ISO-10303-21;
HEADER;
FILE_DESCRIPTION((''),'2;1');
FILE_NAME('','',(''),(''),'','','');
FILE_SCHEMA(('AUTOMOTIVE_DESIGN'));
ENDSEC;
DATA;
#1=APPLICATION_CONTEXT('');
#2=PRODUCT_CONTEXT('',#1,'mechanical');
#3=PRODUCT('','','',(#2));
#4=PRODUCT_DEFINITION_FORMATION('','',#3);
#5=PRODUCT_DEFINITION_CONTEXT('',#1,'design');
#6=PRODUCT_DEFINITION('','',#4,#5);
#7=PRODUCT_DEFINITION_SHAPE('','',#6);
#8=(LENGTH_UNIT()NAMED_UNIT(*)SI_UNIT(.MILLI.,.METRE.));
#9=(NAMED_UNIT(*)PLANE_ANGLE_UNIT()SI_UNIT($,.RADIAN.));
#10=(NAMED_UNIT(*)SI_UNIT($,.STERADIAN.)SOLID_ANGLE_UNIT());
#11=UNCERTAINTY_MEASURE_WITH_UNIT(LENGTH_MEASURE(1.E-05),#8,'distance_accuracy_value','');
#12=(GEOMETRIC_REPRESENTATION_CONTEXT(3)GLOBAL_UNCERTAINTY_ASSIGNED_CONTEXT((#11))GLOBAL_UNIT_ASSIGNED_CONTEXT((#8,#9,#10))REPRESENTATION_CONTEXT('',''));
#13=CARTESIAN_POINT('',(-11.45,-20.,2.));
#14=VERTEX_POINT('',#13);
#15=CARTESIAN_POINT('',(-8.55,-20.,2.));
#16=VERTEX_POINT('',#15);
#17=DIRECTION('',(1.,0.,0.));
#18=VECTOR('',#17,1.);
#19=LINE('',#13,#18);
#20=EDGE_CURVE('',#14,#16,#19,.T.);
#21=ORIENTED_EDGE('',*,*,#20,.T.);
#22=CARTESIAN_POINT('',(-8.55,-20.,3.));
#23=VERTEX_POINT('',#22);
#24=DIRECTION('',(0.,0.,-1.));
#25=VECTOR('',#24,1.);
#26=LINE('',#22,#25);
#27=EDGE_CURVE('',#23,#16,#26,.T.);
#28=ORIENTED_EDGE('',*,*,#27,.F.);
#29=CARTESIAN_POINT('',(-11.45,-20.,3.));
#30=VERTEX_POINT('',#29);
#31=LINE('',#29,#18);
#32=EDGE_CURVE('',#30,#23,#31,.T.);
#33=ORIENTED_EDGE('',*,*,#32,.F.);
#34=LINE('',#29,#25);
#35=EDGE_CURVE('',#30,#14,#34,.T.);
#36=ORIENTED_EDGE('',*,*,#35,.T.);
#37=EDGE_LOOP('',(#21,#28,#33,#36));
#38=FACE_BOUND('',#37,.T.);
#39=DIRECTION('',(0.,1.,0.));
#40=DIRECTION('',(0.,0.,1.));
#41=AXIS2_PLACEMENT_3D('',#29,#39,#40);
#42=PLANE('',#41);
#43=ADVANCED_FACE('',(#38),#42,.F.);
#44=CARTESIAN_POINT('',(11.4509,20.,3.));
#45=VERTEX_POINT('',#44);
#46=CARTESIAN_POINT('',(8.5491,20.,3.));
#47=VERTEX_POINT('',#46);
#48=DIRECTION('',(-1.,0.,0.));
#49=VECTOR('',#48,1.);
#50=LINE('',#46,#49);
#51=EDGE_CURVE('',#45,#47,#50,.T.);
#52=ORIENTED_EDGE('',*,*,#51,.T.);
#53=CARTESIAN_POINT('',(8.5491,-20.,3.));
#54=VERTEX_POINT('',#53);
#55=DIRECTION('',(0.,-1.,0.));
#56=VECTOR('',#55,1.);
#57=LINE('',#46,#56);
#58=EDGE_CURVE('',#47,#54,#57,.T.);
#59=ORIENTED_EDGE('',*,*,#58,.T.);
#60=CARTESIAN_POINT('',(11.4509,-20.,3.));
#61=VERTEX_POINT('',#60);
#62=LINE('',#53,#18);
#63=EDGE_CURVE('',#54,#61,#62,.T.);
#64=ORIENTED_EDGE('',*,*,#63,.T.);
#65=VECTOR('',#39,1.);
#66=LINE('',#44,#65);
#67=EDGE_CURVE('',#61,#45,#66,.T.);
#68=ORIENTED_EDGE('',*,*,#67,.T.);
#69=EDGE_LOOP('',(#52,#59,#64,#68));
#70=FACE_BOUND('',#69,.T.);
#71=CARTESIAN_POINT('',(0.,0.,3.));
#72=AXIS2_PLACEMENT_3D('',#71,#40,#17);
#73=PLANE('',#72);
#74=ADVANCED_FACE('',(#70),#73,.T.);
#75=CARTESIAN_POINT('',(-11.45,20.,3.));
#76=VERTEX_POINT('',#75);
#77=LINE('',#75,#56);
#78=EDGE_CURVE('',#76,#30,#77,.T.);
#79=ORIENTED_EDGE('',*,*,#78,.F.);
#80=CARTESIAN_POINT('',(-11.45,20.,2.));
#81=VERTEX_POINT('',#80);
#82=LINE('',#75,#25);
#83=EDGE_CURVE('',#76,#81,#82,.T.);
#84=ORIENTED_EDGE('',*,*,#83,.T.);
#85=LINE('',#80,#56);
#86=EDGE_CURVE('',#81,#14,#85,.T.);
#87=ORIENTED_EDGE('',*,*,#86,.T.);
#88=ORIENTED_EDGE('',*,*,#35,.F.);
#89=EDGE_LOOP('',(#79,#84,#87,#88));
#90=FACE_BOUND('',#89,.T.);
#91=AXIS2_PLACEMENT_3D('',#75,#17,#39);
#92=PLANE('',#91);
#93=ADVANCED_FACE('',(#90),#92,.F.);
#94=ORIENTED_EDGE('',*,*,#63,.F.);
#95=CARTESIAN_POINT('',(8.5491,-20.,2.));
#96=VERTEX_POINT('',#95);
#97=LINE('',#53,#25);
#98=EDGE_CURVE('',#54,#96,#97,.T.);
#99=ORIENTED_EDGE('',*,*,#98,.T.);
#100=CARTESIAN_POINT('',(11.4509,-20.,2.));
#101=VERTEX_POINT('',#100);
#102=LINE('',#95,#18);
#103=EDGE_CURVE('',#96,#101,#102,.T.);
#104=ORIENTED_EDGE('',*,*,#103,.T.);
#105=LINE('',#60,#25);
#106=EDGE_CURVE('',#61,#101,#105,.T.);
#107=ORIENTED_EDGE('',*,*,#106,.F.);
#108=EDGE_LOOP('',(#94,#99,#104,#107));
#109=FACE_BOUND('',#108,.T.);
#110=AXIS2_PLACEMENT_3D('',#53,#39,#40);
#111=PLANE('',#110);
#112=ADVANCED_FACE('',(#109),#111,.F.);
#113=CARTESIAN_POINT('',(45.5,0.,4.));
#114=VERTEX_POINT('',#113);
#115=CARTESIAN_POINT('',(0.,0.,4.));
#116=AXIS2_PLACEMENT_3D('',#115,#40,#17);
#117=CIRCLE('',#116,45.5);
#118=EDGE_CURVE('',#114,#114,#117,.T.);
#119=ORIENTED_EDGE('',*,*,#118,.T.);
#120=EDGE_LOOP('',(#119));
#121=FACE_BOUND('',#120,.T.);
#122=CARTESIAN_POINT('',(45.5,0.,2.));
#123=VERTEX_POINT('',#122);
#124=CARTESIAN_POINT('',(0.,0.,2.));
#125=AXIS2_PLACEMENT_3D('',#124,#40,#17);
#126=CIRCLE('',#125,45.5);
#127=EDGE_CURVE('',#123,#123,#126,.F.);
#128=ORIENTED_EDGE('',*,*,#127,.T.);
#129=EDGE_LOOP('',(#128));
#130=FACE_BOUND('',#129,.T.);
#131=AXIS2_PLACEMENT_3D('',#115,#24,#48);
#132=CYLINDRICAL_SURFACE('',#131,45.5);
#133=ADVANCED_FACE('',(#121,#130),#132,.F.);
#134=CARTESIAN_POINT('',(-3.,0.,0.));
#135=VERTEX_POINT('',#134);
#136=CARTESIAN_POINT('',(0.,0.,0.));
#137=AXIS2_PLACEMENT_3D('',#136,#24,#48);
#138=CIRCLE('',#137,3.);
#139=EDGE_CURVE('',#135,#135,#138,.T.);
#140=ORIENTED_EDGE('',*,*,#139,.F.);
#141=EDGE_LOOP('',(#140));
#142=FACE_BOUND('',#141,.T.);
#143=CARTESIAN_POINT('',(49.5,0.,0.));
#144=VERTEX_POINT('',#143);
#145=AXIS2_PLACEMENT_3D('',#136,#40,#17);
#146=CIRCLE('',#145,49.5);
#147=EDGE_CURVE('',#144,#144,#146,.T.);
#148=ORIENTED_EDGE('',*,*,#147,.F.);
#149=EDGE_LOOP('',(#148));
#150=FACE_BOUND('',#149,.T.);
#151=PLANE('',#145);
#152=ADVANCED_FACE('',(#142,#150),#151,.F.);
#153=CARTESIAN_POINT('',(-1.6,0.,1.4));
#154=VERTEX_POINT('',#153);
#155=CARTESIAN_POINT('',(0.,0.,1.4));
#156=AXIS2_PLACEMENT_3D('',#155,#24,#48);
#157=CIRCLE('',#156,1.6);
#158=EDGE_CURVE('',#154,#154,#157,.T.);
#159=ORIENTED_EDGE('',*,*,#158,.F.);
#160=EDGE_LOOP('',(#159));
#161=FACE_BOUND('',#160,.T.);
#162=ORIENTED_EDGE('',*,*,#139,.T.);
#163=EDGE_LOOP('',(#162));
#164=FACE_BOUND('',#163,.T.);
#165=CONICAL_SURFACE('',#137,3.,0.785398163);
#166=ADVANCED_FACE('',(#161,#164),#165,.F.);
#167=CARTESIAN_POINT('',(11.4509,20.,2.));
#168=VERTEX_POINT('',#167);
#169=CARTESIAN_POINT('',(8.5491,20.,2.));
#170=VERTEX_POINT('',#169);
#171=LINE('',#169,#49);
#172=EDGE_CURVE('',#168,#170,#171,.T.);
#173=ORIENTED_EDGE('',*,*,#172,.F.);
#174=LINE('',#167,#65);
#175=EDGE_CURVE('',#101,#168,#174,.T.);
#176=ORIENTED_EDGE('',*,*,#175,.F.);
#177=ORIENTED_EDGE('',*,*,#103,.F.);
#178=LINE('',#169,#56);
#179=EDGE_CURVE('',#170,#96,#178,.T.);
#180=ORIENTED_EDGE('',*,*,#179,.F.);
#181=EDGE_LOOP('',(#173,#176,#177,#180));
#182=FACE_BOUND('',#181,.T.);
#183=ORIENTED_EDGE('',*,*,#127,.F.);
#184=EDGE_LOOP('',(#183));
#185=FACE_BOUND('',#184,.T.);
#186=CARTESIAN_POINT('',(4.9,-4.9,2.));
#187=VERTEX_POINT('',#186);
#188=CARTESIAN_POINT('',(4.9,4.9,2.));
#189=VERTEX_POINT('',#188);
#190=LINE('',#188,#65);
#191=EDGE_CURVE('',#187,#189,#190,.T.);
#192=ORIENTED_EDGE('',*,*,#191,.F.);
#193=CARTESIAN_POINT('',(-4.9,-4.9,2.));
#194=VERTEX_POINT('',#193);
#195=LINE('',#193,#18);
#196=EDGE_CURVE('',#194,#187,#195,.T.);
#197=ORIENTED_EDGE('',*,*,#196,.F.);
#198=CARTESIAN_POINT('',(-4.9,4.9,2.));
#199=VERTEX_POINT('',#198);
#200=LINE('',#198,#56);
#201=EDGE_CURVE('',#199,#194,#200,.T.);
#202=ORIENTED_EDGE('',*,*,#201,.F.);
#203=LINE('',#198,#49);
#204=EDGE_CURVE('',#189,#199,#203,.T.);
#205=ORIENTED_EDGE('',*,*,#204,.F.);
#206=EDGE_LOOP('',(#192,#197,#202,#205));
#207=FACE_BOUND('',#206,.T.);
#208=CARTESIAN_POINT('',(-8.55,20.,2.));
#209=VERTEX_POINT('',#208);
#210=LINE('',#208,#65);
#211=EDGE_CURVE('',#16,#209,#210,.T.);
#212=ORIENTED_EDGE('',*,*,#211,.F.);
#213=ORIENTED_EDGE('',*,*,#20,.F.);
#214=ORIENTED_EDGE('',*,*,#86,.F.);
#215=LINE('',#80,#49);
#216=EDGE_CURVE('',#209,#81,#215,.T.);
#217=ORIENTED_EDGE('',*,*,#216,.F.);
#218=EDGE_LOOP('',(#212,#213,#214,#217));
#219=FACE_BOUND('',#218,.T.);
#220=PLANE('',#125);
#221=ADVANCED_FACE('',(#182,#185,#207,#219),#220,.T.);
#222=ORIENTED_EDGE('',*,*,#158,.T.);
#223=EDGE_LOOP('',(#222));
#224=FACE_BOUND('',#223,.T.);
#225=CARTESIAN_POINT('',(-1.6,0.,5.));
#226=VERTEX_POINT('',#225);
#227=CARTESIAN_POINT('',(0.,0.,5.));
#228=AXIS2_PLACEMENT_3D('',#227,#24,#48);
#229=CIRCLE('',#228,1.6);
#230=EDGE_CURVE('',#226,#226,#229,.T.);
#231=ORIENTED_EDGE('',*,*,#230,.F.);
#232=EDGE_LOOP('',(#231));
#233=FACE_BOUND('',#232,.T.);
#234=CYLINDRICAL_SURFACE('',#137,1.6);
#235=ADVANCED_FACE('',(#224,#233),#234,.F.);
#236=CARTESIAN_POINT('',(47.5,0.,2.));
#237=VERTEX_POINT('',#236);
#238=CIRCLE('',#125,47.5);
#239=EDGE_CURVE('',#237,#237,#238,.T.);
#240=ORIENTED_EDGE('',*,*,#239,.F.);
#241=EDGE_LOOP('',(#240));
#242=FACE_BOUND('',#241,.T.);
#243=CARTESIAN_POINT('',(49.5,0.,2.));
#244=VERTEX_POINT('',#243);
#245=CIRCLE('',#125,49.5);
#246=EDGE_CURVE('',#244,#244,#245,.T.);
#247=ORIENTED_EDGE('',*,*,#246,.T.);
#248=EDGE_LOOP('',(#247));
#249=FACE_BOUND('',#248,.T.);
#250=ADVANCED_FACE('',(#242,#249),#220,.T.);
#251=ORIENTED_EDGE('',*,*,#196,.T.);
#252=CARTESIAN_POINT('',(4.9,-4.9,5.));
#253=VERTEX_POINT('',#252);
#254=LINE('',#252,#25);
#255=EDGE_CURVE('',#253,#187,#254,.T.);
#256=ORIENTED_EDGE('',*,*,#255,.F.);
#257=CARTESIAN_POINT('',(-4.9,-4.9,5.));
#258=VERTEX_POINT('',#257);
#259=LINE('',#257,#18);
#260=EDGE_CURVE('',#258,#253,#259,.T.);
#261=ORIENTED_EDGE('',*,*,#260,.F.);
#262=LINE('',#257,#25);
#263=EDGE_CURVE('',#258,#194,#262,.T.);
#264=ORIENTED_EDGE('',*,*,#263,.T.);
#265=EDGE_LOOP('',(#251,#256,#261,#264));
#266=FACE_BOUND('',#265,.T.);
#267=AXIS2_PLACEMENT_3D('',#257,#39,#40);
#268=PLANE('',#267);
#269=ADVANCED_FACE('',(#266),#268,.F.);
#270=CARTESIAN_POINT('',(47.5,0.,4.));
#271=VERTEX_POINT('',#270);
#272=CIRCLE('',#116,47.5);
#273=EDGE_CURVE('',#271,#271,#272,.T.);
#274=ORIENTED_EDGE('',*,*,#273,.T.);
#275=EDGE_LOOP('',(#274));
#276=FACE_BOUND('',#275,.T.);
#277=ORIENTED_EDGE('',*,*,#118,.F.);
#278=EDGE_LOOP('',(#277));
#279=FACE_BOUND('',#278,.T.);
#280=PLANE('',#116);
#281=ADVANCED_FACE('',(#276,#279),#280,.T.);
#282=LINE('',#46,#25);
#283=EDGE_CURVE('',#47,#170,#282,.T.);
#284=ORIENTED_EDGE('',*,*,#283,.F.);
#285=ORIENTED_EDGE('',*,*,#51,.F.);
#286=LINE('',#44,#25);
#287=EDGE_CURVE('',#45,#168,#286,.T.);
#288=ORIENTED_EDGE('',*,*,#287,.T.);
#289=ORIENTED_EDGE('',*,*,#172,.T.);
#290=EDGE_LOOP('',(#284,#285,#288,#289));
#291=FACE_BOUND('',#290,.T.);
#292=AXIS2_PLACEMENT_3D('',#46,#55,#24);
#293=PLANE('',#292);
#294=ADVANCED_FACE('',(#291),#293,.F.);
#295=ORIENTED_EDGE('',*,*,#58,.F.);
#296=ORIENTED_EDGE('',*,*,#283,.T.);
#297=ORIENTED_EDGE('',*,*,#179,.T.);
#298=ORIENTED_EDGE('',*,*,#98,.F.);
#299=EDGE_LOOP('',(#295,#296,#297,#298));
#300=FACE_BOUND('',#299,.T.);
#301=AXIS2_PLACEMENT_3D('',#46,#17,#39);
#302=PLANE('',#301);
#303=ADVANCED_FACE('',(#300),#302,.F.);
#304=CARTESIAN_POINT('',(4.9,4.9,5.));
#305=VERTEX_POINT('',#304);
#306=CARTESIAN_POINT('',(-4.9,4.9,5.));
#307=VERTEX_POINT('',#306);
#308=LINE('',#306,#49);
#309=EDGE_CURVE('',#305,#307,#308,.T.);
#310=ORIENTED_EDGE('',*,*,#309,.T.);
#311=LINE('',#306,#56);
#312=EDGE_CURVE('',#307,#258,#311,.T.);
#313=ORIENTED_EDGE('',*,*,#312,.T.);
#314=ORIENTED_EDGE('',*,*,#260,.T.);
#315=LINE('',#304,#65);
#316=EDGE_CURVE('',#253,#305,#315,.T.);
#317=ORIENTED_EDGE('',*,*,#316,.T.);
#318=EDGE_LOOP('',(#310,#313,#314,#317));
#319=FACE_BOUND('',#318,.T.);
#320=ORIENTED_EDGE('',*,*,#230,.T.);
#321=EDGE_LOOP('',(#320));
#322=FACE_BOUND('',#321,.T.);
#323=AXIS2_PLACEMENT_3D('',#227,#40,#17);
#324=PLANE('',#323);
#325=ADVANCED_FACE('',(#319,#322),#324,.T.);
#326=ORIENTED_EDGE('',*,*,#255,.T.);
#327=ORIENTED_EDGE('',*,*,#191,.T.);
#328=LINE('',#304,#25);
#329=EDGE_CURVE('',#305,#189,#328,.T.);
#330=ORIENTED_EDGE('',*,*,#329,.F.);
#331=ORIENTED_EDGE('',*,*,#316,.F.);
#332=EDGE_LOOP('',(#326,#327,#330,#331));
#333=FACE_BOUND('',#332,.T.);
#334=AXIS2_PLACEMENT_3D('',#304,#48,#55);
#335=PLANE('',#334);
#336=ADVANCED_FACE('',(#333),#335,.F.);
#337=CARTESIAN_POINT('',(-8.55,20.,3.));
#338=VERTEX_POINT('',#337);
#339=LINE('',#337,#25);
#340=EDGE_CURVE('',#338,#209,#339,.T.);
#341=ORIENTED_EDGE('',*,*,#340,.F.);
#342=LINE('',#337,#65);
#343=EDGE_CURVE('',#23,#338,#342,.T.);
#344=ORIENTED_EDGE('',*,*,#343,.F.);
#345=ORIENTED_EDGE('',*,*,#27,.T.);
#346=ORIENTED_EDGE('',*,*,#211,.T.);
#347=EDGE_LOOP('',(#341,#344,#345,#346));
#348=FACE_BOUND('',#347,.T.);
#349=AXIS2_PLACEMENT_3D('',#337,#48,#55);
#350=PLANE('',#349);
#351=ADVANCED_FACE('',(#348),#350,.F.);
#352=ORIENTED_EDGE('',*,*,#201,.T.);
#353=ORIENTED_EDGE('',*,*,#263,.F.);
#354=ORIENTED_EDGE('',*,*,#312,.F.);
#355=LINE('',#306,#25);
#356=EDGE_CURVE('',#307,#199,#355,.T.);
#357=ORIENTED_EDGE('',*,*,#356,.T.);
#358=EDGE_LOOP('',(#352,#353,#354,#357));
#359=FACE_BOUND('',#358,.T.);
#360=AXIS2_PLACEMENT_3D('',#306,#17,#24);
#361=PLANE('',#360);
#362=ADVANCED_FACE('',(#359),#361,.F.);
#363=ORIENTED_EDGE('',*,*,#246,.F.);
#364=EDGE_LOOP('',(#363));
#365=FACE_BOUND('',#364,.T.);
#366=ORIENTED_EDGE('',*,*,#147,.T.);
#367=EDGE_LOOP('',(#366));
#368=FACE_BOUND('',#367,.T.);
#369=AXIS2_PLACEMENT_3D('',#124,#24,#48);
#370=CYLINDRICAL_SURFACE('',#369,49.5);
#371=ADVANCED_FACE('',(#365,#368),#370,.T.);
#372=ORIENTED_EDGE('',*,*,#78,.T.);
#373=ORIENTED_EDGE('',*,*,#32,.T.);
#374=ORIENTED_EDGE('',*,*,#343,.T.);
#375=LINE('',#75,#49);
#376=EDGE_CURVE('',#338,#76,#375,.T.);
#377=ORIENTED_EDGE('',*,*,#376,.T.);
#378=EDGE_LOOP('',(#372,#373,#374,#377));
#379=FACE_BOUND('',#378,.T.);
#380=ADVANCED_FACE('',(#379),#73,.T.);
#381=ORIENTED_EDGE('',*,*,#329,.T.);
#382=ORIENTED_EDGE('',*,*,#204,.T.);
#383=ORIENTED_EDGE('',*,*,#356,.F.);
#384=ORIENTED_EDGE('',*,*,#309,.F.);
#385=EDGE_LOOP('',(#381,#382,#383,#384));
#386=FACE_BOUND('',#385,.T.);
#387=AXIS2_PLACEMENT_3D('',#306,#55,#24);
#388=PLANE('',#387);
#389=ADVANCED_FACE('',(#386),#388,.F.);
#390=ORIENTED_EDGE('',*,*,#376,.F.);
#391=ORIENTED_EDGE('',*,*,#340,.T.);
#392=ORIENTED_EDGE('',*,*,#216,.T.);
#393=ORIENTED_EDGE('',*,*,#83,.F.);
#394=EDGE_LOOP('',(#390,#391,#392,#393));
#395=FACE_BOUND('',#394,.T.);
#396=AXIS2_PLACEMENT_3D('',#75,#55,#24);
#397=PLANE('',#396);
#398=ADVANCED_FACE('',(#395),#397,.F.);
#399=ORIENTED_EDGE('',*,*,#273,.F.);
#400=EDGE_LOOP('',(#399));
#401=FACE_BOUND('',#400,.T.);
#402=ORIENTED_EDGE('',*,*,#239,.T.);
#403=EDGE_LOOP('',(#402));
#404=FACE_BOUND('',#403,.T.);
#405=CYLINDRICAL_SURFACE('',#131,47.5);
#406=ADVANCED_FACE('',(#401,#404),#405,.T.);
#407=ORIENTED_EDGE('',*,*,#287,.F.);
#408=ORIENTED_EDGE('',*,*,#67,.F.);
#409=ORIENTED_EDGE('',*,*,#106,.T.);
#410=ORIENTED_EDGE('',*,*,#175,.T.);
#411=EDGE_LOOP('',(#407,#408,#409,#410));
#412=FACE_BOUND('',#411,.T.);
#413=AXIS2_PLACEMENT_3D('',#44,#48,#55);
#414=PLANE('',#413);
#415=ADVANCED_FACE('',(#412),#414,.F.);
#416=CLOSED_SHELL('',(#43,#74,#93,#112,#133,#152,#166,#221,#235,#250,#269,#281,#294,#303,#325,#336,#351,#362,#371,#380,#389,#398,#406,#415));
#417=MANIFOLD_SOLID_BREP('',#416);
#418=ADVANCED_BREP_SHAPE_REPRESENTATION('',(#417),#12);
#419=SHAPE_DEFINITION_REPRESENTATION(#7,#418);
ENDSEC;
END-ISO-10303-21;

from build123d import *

# Parameters (mm, degrees)
SKETCH1_R                                         = 49.5
MAIN_DEPTH                                        = 2
SKETCH2_W                                         = 2.9
SKETCH2_H                                         = 40
SKETCH2_W_2                                       = 2.90180049
MAKERBEAMFIX_DEPTH                                = 1
SKETCH3_W                                         = 9.8
SKETCH3_H                                         = 9.8
CENTRALFIX_DEPTH                                  = 3
CSK_FOR_M2_5_FLAT_HEAD_MACHINE_SCREW1_D           = 3.2
CSK_FOR_M2_5_FLAT_HEAD_MACHINE_SCREW1_CSINK_D     = 6
CSK_FOR_M2_5_FLAT_HEAD_MACHINE_SCREW1_CSINK_ANGLE = 90
SKETCH6_R                                         = 47.5
SKETCH6_R_2                                       = 45.5
CIRCLESUPPORT_DEPTH                               = 2


with BuildPart() as part:
    # Sketch1 → Main (new body)
    with BuildSketch(Plane.XY):
        Circle(SKETCH1_R)
    extrude(amount=MAIN_DEPTH)

    # Sketch2 → MakerBeamFix (add)
    with BuildSketch(Plane.XY.offset(2)):
        with Locations((-10, 0)):
            Rectangle(SKETCH2_W, SKETCH2_H)
        with Locations((10, 0)):
            Rectangle(SKETCH2_W_2, SKETCH2_H)
    extrude(amount=MAKERBEAMFIX_DEPTH)

    # Sketch3 → CentralFix (add)
    with BuildSketch(Plane.XY.offset(2)):
        Rectangle(SKETCH3_W, SKETCH3_H)
    extrude(amount=CENTRALFIX_DEPTH)

    # CSK for M2.5 Flat Head Machine Screw1 (through all)
    with Locations(Plane(origin=(0, 0, 0), x_dir=(-1, 0, 0), z_dir=(0, 0, -1))):
        with Locations((0, 0)):
            CounterSinkHole(CSK_FOR_M2_5_FLAT_HEAD_MACHINE_SCREW1_D / 2, CSK_FOR_M2_5_FLAT_HEAD_MACHINE_SCREW1_CSINK_D / 2, counter_sink_angle=CSK_FOR_M2_5_FLAT_HEAD_MACHINE_SCREW1_CSINK_ANGLE)

    # Sketch6 → CircleSupport (add)
    with BuildSketch(Plane.XY.offset(2)):
        Circle(SKETCH6_R)
        Circle(SKETCH6_R_2, mode=Mode.SUBTRACT)
    extrude(amount=CIRCLESUPPORT_DEPTH)


solid = part.part
